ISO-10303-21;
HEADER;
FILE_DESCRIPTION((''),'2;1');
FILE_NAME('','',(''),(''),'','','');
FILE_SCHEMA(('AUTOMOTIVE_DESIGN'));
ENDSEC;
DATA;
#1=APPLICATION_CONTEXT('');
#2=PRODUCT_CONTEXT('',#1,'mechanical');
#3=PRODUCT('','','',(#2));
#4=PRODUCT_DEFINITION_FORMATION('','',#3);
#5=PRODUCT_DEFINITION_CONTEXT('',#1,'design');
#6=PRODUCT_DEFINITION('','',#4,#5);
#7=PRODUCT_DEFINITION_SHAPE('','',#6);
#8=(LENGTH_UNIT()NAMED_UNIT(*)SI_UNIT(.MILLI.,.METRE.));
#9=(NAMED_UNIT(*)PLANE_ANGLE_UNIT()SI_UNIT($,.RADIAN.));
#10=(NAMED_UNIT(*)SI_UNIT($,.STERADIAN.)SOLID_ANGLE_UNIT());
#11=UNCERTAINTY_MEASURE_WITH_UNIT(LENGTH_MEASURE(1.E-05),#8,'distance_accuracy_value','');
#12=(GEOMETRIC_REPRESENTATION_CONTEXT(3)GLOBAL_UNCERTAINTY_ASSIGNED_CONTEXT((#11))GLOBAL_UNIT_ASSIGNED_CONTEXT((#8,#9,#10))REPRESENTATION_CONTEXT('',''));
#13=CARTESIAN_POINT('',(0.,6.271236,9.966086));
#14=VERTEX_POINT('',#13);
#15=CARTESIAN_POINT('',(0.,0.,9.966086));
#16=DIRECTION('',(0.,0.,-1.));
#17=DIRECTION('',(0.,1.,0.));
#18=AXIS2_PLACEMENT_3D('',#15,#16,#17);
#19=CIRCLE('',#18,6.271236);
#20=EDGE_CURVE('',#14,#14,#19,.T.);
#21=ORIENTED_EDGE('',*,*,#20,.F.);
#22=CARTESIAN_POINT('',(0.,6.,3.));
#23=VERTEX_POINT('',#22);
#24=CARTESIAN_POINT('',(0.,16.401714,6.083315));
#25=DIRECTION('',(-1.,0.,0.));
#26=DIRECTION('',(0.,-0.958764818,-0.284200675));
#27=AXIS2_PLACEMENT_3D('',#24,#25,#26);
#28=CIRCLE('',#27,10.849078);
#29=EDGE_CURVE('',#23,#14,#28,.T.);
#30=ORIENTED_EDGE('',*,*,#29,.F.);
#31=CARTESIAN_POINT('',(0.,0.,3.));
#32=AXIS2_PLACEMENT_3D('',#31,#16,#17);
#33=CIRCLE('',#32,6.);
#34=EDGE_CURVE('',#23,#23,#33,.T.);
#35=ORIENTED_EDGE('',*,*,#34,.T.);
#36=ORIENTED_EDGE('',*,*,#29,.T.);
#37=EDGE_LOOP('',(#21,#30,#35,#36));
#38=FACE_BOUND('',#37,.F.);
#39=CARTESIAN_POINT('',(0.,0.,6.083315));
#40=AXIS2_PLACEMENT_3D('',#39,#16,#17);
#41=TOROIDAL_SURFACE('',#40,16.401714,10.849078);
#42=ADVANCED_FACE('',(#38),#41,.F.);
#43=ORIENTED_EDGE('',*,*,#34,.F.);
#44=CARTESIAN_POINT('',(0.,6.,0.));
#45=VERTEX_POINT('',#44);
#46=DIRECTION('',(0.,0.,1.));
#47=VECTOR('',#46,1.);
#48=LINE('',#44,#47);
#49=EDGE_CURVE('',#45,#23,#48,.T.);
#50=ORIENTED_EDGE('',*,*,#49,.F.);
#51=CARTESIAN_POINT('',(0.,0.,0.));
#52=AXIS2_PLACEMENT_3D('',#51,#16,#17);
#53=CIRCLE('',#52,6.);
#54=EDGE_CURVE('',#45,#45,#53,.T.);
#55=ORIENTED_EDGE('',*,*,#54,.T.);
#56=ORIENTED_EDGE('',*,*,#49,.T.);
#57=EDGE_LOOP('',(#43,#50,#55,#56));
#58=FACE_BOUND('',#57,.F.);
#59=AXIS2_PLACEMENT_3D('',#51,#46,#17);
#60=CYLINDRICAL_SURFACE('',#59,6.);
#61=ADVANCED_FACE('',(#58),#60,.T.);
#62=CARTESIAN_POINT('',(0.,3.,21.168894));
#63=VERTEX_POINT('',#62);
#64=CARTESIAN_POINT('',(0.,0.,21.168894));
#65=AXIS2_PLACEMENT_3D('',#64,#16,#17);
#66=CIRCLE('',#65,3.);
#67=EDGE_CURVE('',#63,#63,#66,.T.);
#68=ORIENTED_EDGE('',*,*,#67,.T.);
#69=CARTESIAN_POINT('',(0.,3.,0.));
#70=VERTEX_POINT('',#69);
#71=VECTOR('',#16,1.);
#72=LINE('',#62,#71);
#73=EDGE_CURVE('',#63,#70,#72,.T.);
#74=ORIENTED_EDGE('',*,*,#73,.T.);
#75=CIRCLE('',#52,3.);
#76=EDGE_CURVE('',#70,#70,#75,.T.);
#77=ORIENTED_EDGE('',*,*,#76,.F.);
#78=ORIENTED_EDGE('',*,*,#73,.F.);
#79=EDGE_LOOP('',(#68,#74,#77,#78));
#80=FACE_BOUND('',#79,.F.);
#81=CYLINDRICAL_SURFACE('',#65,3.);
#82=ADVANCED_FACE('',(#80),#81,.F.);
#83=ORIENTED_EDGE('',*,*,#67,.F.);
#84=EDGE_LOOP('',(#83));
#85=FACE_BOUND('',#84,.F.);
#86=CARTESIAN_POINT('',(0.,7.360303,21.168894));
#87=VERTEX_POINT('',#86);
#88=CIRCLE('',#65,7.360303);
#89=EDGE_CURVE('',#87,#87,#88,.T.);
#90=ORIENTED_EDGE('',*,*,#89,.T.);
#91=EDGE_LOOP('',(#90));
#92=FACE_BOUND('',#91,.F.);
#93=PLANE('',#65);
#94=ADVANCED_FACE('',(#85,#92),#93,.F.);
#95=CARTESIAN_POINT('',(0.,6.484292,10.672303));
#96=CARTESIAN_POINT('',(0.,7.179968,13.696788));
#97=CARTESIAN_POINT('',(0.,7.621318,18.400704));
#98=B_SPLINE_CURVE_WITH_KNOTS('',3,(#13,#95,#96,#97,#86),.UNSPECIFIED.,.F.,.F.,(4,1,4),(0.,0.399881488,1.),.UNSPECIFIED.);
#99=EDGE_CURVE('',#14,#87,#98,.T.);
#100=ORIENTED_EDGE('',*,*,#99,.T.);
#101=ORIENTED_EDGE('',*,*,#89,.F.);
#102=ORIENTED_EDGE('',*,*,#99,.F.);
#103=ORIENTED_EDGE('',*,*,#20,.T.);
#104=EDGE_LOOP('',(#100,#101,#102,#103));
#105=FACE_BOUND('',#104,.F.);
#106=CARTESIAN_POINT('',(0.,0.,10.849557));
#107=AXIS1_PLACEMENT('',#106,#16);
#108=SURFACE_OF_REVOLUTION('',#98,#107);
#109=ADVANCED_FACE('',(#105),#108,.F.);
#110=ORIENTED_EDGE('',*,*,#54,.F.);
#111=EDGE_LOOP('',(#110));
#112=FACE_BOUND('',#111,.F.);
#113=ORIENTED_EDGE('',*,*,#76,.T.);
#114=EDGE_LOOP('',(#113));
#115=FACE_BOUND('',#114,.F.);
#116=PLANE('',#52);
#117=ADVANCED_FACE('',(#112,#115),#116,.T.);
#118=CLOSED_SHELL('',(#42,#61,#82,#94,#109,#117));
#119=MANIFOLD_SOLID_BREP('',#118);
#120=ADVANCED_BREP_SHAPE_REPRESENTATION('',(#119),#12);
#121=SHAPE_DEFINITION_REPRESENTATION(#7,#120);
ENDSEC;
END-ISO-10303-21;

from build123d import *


with BuildPart() as f1:
    # F0 (on Right) → F1 (revolve)
    with BuildSketch(Plane.YZ):
        with BuildLine():
            Line((3, 0), (6, 0))
            Line((6, 0), (6, 3))
            ThreePointArc((6, 3), (5.560850896, 6.505422346), (6.2712361105, 9.9660856649))
            add(Edge.make_bspline(
                [(6.2712361105, 9.9660856649), (6.4842922019, 10.6723030149), (7.1799682249, 13.6967875008), (7.6213177648, 18.4007037845), (7.3603028432, 21.1688943701)],
                knots=[0, 0, 0, 0, 0.3998814879, 1, 1, 1, 1], degree=3))
            Line((7.3603028432, 21.1688943701), (3, 21.1688943701))
            Line((3, 21.1688943701), (3, 0))
        make_face()
    revolve(axis=Axis((0, 0, 10.8495568857), (0, 0, -1)))


solid = f1.part
